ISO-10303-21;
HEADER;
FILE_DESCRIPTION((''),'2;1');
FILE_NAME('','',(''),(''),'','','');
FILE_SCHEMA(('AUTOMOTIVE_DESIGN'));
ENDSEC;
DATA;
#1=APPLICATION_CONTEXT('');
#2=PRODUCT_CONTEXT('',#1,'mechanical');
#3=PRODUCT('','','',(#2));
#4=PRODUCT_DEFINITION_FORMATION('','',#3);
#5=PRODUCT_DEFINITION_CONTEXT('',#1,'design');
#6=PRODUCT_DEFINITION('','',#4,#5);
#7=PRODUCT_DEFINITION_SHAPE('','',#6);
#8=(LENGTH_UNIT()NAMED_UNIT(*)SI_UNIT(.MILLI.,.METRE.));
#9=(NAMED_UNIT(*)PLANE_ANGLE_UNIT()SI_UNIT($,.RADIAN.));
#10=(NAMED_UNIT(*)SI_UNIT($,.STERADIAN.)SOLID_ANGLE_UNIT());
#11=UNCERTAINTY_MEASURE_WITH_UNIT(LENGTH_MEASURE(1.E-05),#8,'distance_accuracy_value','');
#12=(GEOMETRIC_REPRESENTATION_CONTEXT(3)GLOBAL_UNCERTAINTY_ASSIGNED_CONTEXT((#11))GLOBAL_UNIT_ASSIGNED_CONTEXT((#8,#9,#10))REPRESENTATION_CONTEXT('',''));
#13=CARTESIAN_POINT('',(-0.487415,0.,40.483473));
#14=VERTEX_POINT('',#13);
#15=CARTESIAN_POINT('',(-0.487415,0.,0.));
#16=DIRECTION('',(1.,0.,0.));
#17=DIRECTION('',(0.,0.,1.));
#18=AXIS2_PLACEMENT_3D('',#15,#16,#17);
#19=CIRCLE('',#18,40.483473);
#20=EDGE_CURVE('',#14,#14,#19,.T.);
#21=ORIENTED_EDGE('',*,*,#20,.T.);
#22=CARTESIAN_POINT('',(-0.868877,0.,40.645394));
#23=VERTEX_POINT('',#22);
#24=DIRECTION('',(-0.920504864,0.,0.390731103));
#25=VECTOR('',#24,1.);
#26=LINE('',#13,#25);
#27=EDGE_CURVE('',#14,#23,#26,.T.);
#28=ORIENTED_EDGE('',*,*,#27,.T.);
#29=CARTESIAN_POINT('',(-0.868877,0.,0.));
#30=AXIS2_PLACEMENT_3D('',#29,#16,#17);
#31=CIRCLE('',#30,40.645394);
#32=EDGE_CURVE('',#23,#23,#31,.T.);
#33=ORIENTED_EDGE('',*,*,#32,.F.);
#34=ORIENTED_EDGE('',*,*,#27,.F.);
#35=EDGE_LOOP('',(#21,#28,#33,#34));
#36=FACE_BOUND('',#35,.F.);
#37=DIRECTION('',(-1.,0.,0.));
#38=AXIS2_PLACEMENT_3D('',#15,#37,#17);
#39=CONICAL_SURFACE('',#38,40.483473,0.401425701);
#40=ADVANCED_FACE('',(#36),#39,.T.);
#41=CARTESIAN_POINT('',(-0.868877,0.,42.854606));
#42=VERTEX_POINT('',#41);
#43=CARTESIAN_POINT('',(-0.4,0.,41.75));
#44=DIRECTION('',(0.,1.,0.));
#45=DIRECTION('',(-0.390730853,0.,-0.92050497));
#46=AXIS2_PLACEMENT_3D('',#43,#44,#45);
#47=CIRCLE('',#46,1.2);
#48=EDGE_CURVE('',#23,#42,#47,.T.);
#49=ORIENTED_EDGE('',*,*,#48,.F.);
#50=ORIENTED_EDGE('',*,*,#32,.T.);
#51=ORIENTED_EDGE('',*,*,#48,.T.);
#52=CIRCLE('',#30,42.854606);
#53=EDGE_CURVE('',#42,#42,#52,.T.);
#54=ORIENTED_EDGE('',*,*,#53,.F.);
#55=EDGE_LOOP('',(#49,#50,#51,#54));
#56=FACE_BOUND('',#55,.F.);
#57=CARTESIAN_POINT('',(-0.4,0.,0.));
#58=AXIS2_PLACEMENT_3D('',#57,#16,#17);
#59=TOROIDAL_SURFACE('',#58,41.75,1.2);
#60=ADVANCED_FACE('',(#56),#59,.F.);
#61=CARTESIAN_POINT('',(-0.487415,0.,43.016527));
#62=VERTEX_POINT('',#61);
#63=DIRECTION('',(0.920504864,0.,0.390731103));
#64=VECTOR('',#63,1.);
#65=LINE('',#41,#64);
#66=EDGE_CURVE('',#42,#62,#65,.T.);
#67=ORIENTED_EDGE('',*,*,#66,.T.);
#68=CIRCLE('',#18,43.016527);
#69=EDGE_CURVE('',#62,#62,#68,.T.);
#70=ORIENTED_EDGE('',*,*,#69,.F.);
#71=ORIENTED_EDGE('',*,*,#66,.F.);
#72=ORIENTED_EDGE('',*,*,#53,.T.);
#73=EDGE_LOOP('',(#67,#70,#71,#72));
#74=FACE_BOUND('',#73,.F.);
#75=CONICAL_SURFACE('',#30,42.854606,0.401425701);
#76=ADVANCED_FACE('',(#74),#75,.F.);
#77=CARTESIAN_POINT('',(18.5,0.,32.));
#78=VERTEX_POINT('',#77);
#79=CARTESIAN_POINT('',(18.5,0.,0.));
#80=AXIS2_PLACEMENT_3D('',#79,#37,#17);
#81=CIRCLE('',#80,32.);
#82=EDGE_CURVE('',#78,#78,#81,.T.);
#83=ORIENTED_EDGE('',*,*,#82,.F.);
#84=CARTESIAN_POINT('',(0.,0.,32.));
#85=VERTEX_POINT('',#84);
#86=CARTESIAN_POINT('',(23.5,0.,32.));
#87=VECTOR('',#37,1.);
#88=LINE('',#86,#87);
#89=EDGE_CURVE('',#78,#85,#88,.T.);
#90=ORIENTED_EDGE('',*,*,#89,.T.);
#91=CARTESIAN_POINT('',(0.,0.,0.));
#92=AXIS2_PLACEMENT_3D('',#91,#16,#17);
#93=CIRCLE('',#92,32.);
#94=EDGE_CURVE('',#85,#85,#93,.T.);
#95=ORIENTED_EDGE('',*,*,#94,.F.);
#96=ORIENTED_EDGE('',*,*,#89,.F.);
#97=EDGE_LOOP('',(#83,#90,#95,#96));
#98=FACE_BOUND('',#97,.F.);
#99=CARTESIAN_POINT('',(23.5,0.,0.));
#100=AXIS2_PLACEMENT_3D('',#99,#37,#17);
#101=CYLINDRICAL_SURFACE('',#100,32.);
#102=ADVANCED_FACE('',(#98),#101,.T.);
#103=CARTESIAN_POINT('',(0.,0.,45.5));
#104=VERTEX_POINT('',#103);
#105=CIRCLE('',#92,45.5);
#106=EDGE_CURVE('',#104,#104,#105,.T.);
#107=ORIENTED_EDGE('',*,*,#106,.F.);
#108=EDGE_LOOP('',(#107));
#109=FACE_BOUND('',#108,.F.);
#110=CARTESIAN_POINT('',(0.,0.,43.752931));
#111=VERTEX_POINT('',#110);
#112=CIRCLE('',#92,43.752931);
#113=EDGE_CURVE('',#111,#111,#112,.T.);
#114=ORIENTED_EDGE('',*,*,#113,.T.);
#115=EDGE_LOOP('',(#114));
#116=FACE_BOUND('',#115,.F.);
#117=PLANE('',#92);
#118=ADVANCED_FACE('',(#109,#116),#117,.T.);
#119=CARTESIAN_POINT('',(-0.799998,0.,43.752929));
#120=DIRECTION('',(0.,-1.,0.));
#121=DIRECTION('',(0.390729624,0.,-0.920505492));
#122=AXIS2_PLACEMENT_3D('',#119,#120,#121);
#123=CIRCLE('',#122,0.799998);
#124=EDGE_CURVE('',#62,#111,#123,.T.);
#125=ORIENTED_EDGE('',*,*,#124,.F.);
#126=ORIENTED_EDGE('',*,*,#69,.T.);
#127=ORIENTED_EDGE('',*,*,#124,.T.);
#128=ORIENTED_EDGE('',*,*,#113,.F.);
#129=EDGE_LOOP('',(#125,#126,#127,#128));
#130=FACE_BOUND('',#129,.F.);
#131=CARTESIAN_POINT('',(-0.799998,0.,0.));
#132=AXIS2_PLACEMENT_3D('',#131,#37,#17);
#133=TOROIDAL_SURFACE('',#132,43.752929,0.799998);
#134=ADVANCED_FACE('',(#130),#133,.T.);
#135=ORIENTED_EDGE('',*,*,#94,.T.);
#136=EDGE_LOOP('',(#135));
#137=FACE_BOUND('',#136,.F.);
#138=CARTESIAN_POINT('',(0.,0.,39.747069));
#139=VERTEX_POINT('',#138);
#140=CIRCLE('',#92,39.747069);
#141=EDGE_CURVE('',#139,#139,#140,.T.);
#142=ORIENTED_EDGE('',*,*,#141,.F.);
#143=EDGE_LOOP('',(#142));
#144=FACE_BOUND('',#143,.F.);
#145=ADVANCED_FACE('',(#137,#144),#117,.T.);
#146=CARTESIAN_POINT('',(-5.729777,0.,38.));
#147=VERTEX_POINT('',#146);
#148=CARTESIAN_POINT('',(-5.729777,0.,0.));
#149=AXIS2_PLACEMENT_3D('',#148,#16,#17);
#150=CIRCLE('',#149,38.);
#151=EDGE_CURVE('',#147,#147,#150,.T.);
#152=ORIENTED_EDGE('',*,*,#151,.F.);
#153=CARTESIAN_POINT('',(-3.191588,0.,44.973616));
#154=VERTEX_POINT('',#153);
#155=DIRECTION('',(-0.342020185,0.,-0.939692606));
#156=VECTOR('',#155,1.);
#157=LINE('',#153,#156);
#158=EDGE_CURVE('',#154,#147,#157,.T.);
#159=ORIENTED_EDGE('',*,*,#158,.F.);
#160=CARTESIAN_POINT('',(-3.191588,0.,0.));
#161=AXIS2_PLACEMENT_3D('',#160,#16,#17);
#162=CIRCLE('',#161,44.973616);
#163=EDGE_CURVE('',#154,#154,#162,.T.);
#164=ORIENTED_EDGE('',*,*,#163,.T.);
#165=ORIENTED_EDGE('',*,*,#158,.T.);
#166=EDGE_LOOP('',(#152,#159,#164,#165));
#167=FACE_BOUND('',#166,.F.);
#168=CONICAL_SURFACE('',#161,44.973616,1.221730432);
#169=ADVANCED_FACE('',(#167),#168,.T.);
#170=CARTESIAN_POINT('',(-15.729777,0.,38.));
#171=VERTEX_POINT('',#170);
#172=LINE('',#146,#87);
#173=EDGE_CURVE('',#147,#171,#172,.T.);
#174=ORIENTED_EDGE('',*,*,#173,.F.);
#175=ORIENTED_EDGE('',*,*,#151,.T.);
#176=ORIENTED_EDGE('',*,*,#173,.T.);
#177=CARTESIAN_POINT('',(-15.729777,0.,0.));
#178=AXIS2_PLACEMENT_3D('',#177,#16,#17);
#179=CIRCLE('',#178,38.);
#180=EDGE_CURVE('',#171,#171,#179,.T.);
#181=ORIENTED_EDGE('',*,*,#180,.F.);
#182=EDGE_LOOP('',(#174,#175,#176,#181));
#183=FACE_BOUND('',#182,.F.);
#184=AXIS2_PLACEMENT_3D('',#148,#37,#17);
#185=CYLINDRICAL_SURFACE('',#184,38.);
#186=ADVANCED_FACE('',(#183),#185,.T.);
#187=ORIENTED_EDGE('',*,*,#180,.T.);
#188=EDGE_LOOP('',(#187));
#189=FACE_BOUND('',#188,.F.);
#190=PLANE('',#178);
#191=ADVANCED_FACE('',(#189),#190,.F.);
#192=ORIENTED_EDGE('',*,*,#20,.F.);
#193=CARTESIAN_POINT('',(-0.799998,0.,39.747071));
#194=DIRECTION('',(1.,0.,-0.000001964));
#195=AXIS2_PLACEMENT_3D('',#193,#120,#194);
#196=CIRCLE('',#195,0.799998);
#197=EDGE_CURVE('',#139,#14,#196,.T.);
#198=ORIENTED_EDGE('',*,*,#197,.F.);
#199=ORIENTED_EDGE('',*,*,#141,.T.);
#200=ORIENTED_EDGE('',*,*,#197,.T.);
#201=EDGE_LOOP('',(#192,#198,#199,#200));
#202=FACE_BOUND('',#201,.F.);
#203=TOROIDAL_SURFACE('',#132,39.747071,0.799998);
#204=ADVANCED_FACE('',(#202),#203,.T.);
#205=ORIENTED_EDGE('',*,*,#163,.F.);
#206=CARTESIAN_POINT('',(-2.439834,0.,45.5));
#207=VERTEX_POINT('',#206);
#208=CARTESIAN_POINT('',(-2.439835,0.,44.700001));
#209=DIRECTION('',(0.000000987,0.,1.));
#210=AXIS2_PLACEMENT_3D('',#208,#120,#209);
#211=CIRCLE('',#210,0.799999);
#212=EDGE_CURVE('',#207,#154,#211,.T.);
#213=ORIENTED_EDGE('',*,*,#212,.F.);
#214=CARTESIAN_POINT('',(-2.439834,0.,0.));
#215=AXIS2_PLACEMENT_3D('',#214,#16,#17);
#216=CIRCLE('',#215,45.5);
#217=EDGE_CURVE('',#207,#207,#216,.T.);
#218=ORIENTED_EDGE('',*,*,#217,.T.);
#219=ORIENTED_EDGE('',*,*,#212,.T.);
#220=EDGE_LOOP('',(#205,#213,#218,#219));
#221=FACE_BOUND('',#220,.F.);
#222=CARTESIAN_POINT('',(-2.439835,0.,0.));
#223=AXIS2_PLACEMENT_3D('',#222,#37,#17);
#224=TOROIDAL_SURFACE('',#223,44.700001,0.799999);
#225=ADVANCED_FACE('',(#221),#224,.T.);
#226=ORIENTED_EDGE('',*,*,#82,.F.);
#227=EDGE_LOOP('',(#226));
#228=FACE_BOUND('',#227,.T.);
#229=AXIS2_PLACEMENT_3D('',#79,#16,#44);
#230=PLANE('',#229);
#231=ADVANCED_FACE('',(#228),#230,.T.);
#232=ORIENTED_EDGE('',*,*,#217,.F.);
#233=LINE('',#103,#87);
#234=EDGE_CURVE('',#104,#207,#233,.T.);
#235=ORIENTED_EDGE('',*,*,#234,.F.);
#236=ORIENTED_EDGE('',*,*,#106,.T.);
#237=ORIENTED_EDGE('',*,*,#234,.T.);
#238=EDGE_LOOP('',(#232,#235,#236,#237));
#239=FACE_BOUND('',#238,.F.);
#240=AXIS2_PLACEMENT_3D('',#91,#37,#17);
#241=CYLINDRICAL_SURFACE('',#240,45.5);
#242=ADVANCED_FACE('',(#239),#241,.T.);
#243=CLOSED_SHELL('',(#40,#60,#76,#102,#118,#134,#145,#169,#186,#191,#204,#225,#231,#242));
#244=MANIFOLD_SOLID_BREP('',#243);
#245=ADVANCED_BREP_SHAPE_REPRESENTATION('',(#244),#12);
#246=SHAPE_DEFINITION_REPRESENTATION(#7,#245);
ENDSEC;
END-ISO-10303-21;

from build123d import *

# Parameters (mm, degrees)
F3_R     = 32
F4_DEPTH = 5


with BuildPart() as f2:
    # F1 (on Front) → F2 (revolve)
    with BuildSketch(Plane.XZ):
        with BuildLine():
            Line((0, 43.752931), (0, 45.5))
            Line((0, 45.5), (-2.439834, 45.5))
            ThreePointArc((-2.439834, 45.5), (-2.898695, 45.355322), (-3.191588, 44.973616))
            Line((-3.191588, 44.973616), (-5.729777, 38))
            Line((-5.729777, 38), (-15.729777, 38))
            Line((-15.729777, 38), (-15.729777, 0))
            Line((-15.729777, 0), (23.5, 0))
            Line((23.5, 0), (23.5, 32))
            Line((23.5, 32), (0, 32))
            Line((0, 32), (0, 39.747069))
            ThreePointArc((0, 39.747069), (-0.132891, 40.188619), (-0.487415, 40.483473))
            Line((-0.487415, 40.483473), (-0.868877, 40.645394))
            ThreePointArc((-0.868877, 40.645394), (-1.6, 41.75), (-0.868877, 42.854606))
            Line((-0.868877, 42.854606), (-0.487415, 43.016527))
            ThreePointArc((-0.487415, 43.016527), (-0.132891, 43.311381), (0, 43.752931))
        make_face()
    revolve(axis=Axis((-0.354707, 0, 0), (1, 0, 0)))

    # F3 (on face) → F4 (cut)
    with BuildSketch(Plane.YZ.offset(23.5)):
        Circle(F3_R)
    extrude(amount=-F4_DEPTH, mode=Mode.SUBTRACT)


solid = f2.part
